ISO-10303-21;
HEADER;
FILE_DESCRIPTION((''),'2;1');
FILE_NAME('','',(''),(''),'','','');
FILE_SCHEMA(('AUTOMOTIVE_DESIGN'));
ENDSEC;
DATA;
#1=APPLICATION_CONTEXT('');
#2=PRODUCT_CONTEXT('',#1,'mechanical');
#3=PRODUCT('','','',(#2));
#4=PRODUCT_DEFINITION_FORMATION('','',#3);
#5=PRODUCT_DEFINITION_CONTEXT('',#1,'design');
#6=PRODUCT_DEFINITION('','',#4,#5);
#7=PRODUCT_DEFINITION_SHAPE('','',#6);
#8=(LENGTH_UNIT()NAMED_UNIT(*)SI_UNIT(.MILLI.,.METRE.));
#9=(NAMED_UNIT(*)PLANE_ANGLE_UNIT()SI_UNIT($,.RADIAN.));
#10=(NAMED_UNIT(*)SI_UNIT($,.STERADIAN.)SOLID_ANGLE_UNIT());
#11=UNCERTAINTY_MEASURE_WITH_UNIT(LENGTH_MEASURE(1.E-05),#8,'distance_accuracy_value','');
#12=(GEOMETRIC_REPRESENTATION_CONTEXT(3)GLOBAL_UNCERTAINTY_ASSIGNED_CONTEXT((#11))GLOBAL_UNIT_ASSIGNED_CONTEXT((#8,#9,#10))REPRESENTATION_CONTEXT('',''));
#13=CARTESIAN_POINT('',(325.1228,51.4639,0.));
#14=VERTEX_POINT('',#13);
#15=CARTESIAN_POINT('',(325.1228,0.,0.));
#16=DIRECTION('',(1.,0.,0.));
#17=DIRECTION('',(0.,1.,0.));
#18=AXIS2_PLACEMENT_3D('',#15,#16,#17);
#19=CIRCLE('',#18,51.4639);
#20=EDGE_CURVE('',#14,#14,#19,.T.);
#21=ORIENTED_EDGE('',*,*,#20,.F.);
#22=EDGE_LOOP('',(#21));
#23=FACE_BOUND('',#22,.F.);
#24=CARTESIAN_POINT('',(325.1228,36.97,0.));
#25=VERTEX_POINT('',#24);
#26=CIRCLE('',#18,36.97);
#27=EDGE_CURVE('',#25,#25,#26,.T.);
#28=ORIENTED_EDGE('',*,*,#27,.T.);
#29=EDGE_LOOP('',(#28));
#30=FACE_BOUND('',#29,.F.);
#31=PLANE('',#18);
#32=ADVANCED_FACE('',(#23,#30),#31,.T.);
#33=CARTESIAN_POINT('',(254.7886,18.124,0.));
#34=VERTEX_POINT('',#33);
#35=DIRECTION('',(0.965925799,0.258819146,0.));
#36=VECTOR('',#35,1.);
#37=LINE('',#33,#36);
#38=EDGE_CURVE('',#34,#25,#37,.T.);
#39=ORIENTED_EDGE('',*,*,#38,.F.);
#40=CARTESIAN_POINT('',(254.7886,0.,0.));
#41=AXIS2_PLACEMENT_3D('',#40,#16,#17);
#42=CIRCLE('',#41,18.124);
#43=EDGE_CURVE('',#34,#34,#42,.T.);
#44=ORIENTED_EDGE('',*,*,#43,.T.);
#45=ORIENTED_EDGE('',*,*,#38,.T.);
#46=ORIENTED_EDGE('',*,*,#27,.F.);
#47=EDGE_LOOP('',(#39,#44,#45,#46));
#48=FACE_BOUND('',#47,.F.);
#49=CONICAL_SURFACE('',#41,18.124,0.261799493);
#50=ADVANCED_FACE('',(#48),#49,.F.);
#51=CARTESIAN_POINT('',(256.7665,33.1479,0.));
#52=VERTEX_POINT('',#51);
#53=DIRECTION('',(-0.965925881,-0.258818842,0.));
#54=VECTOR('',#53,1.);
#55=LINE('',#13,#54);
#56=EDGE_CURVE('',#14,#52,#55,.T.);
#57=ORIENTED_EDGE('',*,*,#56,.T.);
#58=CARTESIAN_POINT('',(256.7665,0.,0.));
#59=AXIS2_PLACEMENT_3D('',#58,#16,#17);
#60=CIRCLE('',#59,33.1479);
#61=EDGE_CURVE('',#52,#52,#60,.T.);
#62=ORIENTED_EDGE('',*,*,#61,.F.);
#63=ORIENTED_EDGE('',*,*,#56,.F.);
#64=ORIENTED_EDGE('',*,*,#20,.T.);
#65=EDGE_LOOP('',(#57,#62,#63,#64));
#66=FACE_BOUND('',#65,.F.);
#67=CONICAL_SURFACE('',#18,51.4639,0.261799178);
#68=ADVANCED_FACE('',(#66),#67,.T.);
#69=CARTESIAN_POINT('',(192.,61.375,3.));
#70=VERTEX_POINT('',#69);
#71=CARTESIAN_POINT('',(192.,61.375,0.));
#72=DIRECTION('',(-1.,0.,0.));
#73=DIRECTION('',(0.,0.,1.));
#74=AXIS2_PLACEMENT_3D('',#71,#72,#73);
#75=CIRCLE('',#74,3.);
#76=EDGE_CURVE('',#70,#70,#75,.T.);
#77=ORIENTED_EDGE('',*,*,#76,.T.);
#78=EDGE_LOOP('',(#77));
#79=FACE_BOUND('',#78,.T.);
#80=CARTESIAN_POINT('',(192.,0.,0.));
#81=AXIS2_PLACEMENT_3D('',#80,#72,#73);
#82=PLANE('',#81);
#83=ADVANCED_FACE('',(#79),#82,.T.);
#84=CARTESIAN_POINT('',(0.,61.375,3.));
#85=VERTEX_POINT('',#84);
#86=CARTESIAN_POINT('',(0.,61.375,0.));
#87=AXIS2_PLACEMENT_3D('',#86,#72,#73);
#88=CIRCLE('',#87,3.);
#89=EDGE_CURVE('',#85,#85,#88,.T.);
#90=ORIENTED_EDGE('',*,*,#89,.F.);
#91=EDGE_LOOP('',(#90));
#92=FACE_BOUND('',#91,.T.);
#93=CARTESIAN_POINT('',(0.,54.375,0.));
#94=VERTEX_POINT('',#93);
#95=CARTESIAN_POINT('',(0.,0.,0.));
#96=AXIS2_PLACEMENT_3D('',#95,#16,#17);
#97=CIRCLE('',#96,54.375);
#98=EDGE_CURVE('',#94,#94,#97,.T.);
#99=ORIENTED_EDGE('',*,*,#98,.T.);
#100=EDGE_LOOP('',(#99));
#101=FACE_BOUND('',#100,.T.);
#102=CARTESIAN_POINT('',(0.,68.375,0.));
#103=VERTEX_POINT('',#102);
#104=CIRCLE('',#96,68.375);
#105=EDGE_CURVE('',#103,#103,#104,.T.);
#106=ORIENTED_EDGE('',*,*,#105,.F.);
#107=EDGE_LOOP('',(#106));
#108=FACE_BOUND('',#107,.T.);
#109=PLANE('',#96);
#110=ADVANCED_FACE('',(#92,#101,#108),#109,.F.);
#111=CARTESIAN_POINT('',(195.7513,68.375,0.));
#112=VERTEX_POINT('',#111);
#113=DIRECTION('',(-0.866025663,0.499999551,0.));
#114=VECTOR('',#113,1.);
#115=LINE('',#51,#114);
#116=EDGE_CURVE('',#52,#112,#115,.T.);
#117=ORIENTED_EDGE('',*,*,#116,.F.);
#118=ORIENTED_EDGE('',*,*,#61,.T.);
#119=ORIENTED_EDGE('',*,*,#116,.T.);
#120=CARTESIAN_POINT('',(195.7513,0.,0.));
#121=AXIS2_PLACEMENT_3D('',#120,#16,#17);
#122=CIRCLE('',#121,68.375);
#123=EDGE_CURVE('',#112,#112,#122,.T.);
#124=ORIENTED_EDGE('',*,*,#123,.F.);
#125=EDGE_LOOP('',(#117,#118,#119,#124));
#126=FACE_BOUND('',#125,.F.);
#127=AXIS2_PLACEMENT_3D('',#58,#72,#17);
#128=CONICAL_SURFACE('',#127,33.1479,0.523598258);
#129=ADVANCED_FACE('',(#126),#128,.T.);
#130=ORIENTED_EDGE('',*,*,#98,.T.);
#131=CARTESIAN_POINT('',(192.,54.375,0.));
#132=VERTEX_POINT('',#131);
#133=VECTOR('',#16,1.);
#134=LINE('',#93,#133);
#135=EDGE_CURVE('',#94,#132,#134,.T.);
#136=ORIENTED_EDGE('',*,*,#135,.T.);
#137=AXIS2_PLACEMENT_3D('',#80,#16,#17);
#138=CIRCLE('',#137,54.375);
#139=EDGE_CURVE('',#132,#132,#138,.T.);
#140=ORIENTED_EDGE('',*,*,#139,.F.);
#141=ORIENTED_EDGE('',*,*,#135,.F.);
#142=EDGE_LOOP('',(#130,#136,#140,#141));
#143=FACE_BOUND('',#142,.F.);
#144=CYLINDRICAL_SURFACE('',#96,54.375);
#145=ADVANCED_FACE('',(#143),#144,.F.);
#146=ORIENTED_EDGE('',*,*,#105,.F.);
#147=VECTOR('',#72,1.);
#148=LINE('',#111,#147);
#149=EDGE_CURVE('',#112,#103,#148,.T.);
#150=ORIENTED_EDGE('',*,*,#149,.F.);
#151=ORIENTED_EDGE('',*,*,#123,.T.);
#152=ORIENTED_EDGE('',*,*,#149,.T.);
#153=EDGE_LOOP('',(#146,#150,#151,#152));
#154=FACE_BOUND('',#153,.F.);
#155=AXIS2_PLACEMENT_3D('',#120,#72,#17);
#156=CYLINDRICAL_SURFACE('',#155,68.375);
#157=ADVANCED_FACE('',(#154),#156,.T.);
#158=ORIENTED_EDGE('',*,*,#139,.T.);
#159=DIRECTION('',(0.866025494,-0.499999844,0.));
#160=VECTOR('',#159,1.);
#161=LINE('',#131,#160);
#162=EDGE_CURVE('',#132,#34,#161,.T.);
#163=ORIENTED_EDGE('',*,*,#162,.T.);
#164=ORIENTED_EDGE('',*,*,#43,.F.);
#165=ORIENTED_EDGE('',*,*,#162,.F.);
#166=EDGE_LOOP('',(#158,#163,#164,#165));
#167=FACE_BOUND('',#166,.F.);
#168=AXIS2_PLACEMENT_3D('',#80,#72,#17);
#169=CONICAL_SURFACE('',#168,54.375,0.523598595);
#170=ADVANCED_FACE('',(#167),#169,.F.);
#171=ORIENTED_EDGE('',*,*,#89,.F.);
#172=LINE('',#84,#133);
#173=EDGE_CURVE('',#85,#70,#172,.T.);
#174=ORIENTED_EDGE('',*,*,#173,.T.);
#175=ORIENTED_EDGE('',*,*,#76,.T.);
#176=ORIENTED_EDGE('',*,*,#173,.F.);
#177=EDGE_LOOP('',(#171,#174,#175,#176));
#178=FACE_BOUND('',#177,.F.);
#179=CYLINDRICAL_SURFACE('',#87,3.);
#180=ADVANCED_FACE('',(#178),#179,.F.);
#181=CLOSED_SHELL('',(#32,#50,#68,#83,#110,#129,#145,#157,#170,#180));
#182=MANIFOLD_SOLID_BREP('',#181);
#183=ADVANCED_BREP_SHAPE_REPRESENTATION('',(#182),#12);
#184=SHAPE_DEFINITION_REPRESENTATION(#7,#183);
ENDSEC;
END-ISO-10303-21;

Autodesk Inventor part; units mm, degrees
ref_plane "YZ Plane" through (0, 0, 0) normal (1, 0, 0) x (0, 1, 0)
ref_plane "XZ Plane" through (0, 0, 0) normal (0, 1, 0) x (-1, 0, 0)
ref_plane "XY Plane" through (0, 0, 0) normal (0, 0, 1) x (1, 0, 0)
sketch "Sketch1" plane through (0, 0, 0) normal (0, 0, 1) x (1, 0, 0)
  line L0 (0, 0) -> (0, 54.375) construction
  line L1 (0, 54.375) -> (192, 54.375)
  line L2 (0, 0) -> (524.135, 0) construction
  line L3 (254.7886, 18.124) -> (254.7886, 0) construction
  line L4 (192, 54.375) -> (254.7886, 18.124)
  line L5 (254.7886, 18.124) -> (325.1228, 36.97)
  line L6 (325.1228, 36.97) -> (325.1228, 0) construction
  line L7 (192, 54.375) -> (192, 0) construction
  line L8 (325.1228, 51.4639) -> (256.7665, 33.1479)
  line L9 (256.7665, 33.1479) -> (195.7513, 68.375)
  line L10 (195.7513, 68.375) -> (0, 68.375)
  line L11 (0, 54.375) -> (0, 68.375)
  line L12 (325.1228, 36.97) -> (325.1228, 51.4639)
  line L13 (195.7513, 68.375) -> (195.7513, 78.375)
  line L14 (195.7513, 78.375) -> (186.3124, 78.375)
  line L15 (186.3124, 78.375) -> (186.3124, 68.375)
  dimension "d0" = 54.375
  dimension "d1" = 192
  dimension "d2" = 18.124
  dimension "d3" = 30
  dimension "d4" = 15
  dimension "d5" = 36.97
  dimension "d6" = 14
  dimension "d12" = 10
revolve "Revolution1" add sketch "Sketch1" angle 360 about axis through (0, 0, 0) along (1, 0, 0) contours L11 L10 L9 L8 L12 L5 L4 L1
sketch "Sketch2" plane through (0, 0, 0) normal (-1, 0, 0) x (0, 0, 1)
  circle A0 centre (0, 0) radius 61.375 construction
  circle A1 centre (0, 61.375) radius 3
  dimension "d8" = 122.75
  dimension "d9" = 6
extrude "Extrusion1" cut sketch "Sketch2" against normal blind 192
properties part number "concept3" material "Aluminum 6061"
